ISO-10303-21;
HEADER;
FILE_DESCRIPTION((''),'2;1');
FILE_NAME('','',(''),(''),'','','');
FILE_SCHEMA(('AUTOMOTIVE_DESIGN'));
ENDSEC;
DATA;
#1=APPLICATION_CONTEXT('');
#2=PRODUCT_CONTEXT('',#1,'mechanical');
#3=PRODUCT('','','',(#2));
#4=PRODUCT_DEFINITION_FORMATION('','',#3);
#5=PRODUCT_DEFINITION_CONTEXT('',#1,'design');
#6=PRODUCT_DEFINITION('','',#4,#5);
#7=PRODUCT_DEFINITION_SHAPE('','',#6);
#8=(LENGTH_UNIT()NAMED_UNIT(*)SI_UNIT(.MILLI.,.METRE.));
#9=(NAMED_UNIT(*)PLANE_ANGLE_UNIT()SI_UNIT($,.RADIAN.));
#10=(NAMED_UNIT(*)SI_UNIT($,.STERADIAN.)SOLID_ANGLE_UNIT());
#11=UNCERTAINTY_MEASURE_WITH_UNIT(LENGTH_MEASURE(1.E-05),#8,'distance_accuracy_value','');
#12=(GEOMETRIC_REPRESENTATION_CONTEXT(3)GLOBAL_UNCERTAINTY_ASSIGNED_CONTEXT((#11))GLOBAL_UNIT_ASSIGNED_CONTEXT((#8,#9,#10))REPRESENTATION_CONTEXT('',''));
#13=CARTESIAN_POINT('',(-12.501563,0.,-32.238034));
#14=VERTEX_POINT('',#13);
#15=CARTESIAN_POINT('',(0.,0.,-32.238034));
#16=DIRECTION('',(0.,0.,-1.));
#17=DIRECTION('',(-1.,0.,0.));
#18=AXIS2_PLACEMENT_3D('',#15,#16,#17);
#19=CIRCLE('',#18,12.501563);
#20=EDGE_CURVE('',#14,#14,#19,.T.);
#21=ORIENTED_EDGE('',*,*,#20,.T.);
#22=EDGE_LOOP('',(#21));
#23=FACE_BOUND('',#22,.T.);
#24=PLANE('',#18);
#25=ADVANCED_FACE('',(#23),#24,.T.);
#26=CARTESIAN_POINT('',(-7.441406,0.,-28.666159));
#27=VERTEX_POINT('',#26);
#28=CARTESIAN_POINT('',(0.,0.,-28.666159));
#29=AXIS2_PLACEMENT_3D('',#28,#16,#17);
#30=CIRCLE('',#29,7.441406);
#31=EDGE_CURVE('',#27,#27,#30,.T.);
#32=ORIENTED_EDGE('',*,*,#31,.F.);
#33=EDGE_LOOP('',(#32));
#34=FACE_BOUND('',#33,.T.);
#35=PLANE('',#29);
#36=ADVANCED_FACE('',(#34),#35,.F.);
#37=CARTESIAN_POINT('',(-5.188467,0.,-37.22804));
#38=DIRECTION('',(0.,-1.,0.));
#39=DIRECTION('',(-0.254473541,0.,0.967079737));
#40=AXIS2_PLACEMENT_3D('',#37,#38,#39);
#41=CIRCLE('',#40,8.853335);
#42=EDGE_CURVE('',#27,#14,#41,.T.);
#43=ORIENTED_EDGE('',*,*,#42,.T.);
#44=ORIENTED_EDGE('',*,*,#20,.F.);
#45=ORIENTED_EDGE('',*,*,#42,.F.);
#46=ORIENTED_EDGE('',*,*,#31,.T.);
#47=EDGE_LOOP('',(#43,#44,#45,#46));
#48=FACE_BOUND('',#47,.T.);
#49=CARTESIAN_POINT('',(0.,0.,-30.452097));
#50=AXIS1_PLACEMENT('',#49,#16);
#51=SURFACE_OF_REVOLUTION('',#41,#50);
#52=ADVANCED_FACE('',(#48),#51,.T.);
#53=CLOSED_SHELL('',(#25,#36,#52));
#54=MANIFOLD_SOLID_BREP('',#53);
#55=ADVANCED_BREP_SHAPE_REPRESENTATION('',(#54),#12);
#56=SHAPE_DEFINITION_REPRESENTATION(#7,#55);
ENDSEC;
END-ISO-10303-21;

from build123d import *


with BuildPart() as f1:
    # F0 (on Front) → F1 (revolve)
    with BuildSketch(Plane.XZ):
        with BuildLine():
            ThreePointArc((-7.441406, -28.666159), (-10.294035, -29.995149), (-12.501563, -32.238034))
            Line((-12.501563, -32.238034), (0, -32.238034))
            Line((0, -32.238034), (0, -28.666159))
            Line((0, -28.666159), (-7.441406, -28.666159))
        make_face()
    revolve(axis=Axis((0, 0, -30.452097), (0, 0, -1)))


solid = f1.part
